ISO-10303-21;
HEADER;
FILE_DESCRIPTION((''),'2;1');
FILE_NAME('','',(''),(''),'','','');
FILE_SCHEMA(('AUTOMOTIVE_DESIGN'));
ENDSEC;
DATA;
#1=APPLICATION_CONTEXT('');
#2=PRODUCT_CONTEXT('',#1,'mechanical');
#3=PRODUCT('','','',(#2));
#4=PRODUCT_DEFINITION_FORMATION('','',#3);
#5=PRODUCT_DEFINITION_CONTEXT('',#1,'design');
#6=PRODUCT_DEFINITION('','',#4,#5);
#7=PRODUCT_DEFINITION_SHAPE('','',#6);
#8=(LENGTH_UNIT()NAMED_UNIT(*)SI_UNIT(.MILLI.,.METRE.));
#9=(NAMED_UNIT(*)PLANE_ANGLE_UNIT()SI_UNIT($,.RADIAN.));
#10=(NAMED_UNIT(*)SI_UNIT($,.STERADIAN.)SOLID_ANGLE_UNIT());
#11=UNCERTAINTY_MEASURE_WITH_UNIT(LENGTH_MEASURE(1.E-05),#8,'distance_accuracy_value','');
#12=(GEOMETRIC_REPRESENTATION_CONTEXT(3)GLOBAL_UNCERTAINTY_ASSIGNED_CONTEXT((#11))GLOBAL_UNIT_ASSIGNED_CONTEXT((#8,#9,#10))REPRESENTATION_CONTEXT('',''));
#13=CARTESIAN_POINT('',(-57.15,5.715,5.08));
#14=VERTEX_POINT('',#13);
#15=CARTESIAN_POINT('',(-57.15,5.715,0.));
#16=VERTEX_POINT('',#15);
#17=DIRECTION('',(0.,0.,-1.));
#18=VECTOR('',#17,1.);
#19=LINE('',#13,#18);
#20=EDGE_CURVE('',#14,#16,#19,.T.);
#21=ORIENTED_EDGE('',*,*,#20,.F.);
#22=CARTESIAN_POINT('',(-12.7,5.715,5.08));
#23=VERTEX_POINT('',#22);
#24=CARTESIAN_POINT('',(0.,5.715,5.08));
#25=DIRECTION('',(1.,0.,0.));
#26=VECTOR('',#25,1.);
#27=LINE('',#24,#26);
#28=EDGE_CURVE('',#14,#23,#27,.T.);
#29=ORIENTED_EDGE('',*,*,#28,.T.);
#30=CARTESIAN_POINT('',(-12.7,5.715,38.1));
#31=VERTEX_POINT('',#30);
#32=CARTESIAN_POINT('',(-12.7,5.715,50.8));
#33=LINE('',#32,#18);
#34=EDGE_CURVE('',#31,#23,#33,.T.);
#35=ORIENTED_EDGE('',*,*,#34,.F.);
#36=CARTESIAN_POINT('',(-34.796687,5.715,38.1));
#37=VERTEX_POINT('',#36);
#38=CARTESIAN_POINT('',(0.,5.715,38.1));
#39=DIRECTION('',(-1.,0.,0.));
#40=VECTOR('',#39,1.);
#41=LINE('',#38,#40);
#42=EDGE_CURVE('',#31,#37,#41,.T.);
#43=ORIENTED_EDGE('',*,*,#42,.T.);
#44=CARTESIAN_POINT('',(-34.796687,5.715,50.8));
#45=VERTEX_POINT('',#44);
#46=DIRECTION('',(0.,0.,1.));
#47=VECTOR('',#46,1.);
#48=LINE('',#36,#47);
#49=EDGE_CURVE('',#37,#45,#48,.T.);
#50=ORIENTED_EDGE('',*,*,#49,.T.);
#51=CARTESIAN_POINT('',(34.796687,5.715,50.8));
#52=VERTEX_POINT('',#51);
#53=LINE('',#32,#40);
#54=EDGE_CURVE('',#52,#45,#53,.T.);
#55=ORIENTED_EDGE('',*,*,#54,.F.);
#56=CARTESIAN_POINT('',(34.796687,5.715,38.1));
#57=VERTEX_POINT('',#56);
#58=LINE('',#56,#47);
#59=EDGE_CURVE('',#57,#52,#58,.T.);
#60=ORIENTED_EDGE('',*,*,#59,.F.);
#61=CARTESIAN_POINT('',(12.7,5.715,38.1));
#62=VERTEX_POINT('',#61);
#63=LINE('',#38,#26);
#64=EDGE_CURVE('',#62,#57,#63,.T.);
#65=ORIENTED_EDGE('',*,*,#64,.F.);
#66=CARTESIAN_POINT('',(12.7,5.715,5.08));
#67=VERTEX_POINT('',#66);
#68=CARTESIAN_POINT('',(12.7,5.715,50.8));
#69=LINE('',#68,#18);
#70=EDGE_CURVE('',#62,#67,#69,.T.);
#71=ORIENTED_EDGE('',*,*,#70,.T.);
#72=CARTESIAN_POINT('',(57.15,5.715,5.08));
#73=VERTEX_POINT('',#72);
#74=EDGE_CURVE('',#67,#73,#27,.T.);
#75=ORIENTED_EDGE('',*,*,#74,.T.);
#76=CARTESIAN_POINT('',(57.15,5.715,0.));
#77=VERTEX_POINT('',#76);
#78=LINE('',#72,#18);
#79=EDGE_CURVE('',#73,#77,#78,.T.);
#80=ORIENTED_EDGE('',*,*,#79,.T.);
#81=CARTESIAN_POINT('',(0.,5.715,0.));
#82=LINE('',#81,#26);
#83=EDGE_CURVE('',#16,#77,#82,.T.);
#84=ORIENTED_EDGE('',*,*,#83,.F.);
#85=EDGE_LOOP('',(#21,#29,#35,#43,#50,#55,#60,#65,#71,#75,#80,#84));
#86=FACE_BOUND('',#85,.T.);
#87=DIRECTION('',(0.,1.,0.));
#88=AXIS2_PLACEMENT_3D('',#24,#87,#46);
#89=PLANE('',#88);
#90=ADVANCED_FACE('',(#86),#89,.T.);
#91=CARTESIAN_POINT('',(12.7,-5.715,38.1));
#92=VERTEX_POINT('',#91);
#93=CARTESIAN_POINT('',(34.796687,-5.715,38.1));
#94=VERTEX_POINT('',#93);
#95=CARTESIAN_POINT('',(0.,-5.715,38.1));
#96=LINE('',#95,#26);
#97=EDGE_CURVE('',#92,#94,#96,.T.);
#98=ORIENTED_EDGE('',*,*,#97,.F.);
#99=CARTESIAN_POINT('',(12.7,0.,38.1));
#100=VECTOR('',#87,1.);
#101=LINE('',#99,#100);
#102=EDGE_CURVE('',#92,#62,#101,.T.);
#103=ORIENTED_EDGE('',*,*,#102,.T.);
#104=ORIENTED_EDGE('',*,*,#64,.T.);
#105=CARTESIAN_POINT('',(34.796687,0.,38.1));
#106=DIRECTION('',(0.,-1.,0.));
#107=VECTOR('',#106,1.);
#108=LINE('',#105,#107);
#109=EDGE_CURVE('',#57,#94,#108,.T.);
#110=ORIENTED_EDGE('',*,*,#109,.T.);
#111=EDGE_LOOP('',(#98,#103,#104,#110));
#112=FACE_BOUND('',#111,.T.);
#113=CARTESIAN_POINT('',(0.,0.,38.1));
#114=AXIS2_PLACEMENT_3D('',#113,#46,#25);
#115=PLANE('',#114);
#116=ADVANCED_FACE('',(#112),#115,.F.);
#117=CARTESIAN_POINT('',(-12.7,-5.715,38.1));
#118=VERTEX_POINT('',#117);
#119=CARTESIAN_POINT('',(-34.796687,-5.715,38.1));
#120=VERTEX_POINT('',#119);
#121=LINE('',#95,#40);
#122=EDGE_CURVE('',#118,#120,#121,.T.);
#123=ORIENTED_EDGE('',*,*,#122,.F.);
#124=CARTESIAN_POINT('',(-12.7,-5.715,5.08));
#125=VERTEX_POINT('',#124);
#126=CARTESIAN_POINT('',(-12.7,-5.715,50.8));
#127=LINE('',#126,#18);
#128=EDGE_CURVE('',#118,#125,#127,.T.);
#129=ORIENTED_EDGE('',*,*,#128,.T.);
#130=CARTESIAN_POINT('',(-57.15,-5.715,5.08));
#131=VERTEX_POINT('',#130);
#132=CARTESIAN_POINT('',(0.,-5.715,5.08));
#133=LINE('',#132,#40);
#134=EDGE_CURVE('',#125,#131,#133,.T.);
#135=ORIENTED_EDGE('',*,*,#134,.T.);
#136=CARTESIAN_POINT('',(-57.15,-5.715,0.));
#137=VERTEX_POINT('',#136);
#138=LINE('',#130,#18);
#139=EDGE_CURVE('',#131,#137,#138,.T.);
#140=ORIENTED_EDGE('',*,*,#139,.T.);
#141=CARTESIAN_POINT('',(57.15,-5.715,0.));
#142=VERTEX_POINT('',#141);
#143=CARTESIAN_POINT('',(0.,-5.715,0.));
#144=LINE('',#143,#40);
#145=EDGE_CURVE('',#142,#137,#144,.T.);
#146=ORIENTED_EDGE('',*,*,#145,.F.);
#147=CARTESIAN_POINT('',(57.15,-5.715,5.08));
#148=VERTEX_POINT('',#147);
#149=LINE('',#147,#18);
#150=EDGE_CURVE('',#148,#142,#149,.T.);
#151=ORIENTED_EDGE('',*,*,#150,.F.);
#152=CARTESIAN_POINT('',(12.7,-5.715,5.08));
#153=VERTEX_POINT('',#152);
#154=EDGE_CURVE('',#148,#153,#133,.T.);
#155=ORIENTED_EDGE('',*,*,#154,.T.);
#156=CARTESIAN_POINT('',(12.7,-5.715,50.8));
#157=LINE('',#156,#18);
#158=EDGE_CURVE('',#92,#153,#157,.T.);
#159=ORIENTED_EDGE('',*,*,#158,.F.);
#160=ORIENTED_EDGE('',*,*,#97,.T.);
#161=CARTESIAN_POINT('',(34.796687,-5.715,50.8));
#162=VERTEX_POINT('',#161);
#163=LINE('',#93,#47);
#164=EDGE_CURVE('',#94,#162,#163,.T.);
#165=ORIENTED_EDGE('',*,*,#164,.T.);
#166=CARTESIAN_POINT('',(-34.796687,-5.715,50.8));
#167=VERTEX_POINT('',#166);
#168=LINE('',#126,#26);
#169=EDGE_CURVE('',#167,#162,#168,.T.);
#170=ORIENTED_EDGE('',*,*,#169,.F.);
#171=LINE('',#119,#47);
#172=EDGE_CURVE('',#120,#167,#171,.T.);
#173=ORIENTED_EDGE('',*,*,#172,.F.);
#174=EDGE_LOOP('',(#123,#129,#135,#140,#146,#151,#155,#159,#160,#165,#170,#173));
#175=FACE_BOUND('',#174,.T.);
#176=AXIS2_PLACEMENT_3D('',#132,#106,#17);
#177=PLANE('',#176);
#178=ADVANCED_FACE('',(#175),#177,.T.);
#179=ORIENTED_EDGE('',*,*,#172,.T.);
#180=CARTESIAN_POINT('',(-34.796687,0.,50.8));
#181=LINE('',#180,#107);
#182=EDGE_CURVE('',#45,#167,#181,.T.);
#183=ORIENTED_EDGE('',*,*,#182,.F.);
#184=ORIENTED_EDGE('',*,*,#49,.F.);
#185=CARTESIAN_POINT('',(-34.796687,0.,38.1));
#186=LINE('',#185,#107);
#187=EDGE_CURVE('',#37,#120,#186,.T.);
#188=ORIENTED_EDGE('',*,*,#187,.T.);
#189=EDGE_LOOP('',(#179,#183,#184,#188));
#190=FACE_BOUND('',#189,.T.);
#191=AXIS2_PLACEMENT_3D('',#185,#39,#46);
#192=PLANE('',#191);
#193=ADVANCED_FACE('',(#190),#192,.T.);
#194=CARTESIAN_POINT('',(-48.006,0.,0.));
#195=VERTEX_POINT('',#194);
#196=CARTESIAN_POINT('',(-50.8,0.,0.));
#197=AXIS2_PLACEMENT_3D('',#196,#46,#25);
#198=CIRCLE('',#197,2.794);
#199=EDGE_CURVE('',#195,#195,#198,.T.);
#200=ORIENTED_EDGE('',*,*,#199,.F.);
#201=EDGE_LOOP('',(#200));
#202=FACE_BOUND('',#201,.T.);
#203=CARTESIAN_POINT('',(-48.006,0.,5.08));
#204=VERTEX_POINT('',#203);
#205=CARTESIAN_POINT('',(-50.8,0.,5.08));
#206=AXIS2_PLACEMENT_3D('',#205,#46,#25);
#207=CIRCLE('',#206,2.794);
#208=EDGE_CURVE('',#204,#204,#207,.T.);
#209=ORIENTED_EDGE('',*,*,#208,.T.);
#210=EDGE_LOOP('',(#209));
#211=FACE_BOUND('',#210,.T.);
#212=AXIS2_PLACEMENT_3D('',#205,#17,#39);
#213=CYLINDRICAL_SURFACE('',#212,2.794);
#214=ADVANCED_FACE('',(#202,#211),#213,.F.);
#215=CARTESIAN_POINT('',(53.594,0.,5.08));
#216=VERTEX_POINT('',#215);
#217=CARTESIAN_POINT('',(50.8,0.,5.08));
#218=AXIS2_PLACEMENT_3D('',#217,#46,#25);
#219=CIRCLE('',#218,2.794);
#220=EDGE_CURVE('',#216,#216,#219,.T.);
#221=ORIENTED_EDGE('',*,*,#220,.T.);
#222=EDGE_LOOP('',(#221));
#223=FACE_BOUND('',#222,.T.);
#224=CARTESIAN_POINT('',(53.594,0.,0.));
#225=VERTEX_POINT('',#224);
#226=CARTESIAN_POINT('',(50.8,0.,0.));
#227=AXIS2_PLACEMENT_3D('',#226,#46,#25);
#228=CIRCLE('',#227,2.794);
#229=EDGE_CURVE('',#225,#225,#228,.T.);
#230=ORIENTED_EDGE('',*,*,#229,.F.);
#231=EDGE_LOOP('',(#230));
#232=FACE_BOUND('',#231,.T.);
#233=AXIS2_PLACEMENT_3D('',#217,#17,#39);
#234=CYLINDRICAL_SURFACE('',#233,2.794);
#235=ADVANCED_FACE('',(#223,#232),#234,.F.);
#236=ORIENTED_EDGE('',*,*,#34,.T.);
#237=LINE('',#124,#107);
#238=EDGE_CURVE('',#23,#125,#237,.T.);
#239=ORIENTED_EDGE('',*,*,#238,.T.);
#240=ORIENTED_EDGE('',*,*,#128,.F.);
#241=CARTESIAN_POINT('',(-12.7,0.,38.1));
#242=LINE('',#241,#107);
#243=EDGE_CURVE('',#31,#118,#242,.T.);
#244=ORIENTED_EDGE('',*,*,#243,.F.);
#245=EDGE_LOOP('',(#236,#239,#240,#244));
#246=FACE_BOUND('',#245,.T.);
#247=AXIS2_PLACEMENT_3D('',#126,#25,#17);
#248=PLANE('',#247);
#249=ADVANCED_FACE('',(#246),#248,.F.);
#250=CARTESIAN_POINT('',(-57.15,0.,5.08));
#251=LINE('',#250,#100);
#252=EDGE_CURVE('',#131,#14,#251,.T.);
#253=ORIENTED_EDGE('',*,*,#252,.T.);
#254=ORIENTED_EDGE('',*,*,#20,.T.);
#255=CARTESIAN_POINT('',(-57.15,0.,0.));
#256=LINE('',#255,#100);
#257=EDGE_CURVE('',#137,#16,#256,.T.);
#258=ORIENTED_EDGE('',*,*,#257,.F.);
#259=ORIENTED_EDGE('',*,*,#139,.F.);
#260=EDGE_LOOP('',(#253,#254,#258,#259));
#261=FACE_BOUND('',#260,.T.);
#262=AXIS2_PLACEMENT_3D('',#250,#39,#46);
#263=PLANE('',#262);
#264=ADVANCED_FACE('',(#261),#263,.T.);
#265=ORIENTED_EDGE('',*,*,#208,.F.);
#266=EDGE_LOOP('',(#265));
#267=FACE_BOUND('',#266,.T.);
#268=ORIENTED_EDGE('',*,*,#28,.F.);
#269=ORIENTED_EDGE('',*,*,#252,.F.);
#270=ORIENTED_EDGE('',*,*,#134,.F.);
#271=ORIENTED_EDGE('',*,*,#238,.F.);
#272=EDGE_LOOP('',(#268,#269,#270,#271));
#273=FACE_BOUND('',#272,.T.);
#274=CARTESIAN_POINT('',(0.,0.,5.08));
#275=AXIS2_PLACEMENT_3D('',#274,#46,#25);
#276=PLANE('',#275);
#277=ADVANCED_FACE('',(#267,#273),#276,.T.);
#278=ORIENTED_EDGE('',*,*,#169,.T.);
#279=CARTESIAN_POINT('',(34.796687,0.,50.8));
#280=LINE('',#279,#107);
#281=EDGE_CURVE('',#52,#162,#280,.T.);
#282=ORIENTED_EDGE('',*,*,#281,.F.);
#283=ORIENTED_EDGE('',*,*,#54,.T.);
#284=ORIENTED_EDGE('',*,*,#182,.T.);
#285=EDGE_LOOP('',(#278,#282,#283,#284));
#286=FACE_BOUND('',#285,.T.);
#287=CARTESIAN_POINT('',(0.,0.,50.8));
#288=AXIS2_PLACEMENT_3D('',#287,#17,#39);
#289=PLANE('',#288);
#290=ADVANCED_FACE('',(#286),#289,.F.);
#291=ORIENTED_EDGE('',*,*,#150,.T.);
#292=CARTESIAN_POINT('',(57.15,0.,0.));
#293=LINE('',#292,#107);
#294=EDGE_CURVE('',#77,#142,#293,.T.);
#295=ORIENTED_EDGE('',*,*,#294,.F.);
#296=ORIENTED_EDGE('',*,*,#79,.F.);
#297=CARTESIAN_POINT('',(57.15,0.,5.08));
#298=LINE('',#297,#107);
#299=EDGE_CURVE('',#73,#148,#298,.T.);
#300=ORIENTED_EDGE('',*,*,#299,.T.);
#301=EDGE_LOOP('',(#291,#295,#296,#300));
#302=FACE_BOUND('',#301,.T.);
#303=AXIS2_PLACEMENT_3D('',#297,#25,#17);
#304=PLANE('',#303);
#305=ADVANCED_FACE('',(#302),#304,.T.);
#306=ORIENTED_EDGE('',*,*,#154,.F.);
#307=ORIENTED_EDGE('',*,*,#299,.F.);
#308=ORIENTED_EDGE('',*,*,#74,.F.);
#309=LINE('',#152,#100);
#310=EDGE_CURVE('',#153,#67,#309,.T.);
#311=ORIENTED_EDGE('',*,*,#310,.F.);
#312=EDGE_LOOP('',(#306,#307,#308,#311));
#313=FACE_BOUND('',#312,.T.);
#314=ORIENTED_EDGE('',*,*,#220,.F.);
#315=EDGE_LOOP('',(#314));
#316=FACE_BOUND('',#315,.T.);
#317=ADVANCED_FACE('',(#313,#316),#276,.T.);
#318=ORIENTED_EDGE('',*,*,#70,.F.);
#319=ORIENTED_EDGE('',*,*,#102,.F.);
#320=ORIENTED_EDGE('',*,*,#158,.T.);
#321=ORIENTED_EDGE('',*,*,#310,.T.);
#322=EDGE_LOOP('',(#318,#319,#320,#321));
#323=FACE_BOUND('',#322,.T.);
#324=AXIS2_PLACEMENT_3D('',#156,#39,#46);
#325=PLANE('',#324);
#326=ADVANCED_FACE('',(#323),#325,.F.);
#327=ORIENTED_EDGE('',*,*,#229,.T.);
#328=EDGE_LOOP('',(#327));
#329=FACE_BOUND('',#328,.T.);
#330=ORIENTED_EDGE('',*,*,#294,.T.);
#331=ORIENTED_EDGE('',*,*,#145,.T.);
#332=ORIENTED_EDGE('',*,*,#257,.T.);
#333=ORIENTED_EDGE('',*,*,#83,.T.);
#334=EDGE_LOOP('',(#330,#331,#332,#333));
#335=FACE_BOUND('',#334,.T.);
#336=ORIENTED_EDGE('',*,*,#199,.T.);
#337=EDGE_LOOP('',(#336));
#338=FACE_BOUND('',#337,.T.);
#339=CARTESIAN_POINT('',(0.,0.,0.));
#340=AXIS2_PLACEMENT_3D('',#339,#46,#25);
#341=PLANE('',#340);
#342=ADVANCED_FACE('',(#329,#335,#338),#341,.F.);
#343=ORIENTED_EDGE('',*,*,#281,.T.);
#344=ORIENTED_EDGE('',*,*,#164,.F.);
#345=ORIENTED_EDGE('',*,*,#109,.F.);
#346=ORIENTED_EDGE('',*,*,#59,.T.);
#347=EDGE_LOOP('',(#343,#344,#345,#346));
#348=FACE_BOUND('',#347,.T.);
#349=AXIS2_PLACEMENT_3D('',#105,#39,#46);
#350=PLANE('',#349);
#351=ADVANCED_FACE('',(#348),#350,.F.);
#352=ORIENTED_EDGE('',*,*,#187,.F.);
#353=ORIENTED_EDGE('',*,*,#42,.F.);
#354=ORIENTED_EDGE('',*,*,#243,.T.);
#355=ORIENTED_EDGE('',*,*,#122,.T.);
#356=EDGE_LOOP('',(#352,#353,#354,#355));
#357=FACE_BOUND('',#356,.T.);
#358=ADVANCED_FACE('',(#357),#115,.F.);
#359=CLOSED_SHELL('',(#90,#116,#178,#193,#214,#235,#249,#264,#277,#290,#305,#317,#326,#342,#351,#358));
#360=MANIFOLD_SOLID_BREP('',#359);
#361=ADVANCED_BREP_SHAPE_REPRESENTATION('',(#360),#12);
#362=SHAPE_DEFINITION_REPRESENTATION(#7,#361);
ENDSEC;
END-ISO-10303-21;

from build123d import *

# Parameters (mm, degrees)
SKETCH1_R           = 2.794
BOSS_EXTRUDE1_DEPTH = 5.08
SKETCH3_W           = 25.4
SKETCH3_H           = 11.43
BOSS_EXTRUDE2_DEPTH = 45.72
SKETCH4_W           = 22.096687199
SKETCH4_H           = 11.43
BOSS_EXTRUDE3_DEPTH = 12.7


with BuildPart() as part:
    # Sketch1 → Boss-Extrude1 (new body)
    with BuildSketch(Plane.XY):
        Polygon((-57.15, 2.54), (-57.15, -2.54), (-57.15, -5.715), (57.15, -5.715), (57.15, -2.54), (57.15, 2.54), (57.15, 5.715), (-57.15, 5.715), align=None)
        with Locations((50.8, 0)):
            Circle(SKETCH1_R, mode=Mode.SUBTRACT)
        with Locations((-50.8, 0)):
            Circle(SKETCH1_R, mode=Mode.SUBTRACT)
    extrude(amount=BOSS_EXTRUDE1_DEPTH)

    # Sketch3 → Boss-Extrude2 (add)
    with BuildSketch(Plane.XY.offset(5.08)):
        Rectangle(SKETCH3_W, SKETCH3_H)
    extrude(amount=BOSS_EXTRUDE2_DEPTH)

    # Sketch4 → Boss-Extrude3 (add)
    with BuildSketch(Plane.XY.offset(50.8)):
        with Locations((23.7483436, 0)):
            Rectangle(SKETCH4_W, SKETCH4_H)
        with Locations((-23.7483436, 0)):
            Rectangle(SKETCH4_W, SKETCH4_H)
    extrude(amount=-BOSS_EXTRUDE3_DEPTH)


solid = part.part
